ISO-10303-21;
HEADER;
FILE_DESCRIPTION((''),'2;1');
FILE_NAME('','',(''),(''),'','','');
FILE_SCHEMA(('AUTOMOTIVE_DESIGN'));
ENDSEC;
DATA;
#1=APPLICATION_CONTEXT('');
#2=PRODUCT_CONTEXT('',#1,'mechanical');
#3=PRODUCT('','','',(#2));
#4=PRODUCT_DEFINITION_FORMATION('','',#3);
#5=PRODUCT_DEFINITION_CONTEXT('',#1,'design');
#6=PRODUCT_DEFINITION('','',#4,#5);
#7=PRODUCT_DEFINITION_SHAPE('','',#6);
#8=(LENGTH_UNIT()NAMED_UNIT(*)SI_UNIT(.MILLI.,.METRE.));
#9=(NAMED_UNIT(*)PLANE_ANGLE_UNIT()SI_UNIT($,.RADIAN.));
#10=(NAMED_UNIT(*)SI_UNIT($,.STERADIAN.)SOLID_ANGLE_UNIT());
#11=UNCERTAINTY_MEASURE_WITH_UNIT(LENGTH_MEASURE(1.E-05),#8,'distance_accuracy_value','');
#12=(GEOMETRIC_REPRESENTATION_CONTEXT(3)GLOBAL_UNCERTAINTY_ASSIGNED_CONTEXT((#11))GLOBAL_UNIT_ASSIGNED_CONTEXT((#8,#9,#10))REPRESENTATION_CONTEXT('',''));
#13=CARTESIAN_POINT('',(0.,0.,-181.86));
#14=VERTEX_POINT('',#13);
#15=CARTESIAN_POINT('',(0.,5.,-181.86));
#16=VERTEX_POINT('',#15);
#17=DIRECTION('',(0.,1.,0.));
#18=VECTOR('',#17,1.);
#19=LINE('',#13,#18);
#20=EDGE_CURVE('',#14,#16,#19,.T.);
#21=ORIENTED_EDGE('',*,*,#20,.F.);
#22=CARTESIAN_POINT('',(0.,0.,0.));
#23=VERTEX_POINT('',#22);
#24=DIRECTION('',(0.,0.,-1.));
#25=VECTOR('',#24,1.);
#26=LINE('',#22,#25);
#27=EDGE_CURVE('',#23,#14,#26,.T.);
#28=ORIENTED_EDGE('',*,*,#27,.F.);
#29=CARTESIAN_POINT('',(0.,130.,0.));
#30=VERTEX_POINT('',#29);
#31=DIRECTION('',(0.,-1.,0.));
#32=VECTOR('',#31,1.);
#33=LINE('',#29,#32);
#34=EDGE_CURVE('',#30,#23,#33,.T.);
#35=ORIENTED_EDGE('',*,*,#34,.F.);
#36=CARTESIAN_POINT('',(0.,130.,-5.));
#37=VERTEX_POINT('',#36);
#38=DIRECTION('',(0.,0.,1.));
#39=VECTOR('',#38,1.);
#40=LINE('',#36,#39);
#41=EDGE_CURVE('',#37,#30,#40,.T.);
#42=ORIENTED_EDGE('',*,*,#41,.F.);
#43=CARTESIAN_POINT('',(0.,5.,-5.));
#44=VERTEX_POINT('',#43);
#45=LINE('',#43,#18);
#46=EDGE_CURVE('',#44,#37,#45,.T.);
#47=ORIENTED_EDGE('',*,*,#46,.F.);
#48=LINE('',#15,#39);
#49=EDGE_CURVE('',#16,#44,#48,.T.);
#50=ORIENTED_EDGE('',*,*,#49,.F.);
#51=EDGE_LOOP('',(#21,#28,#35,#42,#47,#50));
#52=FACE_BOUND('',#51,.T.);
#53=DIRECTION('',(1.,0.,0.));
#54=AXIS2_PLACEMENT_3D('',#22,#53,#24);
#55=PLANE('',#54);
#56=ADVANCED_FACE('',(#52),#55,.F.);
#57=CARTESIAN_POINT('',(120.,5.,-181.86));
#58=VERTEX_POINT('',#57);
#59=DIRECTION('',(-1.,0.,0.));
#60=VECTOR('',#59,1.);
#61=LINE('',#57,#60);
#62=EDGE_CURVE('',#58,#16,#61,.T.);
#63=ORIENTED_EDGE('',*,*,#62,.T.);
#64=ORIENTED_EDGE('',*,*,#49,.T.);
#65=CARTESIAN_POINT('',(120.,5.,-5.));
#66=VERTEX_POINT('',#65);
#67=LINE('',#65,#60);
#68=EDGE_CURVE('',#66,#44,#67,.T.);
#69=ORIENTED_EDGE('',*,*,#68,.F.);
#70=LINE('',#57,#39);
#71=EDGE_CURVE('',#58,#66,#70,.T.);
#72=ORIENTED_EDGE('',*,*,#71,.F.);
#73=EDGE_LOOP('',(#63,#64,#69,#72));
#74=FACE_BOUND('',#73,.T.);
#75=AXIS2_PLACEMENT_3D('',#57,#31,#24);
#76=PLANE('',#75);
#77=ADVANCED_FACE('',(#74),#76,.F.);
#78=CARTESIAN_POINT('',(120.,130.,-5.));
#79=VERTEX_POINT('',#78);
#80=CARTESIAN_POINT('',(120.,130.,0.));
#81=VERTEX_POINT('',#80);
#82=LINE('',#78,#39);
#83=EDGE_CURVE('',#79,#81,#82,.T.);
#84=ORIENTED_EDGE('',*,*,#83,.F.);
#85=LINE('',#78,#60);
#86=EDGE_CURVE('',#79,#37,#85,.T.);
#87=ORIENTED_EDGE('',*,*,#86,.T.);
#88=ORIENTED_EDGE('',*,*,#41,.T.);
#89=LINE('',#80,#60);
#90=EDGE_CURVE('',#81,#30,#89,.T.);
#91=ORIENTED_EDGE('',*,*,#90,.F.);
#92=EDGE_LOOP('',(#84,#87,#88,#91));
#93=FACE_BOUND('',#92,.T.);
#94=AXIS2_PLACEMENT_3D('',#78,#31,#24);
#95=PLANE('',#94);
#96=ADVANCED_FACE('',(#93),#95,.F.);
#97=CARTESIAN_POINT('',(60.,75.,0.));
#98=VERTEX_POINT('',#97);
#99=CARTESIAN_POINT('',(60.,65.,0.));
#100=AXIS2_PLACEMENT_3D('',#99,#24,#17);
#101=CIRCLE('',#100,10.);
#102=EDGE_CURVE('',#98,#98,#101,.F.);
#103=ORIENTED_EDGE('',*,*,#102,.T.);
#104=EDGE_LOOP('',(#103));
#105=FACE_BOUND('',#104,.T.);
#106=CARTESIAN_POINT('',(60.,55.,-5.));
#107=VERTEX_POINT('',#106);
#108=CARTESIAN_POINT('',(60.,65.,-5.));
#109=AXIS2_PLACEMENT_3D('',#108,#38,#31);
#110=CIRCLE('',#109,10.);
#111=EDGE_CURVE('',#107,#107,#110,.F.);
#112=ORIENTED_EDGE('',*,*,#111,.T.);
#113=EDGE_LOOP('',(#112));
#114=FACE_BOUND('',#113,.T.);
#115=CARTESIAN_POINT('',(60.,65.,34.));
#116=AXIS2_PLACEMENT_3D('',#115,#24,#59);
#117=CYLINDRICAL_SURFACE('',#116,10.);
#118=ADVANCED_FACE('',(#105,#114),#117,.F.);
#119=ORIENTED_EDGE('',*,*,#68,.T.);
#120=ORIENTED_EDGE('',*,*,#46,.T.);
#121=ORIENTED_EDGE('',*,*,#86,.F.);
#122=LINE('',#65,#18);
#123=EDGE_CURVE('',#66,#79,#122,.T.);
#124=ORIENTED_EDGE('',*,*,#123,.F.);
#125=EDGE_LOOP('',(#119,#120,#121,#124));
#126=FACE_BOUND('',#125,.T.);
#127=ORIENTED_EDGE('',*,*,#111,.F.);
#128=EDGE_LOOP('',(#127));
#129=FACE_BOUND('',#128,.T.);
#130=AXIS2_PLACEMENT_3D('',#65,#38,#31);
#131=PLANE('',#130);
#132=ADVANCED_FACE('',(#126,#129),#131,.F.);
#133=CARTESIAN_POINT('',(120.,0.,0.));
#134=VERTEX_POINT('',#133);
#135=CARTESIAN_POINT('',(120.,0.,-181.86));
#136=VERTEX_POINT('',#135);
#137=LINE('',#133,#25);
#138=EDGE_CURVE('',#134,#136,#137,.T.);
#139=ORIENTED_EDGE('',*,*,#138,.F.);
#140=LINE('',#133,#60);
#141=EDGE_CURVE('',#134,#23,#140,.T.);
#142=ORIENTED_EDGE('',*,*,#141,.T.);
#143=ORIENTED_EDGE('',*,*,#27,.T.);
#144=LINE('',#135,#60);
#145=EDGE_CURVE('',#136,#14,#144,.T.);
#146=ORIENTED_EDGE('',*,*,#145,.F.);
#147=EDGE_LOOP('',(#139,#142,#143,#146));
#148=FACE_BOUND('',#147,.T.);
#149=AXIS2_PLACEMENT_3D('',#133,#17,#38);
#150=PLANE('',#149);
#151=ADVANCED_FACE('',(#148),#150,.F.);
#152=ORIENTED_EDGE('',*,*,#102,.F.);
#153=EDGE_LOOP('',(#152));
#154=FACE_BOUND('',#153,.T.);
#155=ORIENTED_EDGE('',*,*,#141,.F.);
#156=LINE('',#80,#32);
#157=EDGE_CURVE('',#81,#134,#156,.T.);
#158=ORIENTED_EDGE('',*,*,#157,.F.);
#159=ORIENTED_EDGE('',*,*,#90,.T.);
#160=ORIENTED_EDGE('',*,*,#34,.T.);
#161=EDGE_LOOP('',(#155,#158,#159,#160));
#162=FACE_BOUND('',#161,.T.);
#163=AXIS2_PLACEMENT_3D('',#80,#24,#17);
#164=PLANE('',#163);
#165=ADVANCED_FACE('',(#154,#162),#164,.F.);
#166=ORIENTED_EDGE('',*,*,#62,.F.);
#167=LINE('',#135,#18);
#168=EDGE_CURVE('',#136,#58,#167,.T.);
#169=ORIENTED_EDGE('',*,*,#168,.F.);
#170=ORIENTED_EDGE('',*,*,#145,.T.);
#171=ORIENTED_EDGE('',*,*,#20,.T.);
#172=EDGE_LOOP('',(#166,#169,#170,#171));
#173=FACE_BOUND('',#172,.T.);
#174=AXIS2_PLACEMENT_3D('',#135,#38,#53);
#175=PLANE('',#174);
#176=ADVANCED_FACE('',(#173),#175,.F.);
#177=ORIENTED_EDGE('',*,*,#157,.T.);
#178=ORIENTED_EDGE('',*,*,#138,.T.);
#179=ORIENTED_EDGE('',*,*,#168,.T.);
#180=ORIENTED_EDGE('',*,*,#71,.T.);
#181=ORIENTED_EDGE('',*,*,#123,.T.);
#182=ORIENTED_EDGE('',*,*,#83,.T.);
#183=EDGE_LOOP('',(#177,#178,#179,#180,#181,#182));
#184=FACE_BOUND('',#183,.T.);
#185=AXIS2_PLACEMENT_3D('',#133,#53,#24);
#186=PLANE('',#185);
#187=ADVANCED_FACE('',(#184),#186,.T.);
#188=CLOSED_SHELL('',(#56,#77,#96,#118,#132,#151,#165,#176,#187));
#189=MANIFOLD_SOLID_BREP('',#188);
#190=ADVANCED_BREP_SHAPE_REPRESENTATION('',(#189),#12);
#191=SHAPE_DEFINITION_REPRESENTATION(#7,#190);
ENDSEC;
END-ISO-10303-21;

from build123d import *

# Parameters (mm, degrees)
EXTRUDE_1_DEPTH          = 120
CUT_EXTRUDE_1_DEPTH      = 34
CUT_EXTRUDE_1_DEPTH_BACK = 21
SKETCH_3_R               = 10


with BuildPart() as part:
    # 草图2 → 凸台-拉伸1 (new body)
    with BuildSketch(Plane(origin=(0, 0, 0), x_dir=(0, 0, -1), z_dir=(1, 0, 0))):
        Polygon((0, 0), (181.86, 0), (181.86, 5), (5, 5), (5, 130), (0, 130), align=None)
    extrude(amount=EXTRUDE_1_DEPTH)

    # 草图3 → 切除-拉伸1 (cut, two sides: drawn at the far end of the back side and taken through both)
    with BuildSketch(Plane.XY.offset(-CUT_EXTRUDE_1_DEPTH_BACK)):
        with Locations(Location((60, 65, 0), (0, 0, 270))):
            Circle(SKETCH_3_R)
    extrude(amount=CUT_EXTRUDE_1_DEPTH + CUT_EXTRUDE_1_DEPTH_BACK, mode=Mode.SUBTRACT)


solid = part.part
